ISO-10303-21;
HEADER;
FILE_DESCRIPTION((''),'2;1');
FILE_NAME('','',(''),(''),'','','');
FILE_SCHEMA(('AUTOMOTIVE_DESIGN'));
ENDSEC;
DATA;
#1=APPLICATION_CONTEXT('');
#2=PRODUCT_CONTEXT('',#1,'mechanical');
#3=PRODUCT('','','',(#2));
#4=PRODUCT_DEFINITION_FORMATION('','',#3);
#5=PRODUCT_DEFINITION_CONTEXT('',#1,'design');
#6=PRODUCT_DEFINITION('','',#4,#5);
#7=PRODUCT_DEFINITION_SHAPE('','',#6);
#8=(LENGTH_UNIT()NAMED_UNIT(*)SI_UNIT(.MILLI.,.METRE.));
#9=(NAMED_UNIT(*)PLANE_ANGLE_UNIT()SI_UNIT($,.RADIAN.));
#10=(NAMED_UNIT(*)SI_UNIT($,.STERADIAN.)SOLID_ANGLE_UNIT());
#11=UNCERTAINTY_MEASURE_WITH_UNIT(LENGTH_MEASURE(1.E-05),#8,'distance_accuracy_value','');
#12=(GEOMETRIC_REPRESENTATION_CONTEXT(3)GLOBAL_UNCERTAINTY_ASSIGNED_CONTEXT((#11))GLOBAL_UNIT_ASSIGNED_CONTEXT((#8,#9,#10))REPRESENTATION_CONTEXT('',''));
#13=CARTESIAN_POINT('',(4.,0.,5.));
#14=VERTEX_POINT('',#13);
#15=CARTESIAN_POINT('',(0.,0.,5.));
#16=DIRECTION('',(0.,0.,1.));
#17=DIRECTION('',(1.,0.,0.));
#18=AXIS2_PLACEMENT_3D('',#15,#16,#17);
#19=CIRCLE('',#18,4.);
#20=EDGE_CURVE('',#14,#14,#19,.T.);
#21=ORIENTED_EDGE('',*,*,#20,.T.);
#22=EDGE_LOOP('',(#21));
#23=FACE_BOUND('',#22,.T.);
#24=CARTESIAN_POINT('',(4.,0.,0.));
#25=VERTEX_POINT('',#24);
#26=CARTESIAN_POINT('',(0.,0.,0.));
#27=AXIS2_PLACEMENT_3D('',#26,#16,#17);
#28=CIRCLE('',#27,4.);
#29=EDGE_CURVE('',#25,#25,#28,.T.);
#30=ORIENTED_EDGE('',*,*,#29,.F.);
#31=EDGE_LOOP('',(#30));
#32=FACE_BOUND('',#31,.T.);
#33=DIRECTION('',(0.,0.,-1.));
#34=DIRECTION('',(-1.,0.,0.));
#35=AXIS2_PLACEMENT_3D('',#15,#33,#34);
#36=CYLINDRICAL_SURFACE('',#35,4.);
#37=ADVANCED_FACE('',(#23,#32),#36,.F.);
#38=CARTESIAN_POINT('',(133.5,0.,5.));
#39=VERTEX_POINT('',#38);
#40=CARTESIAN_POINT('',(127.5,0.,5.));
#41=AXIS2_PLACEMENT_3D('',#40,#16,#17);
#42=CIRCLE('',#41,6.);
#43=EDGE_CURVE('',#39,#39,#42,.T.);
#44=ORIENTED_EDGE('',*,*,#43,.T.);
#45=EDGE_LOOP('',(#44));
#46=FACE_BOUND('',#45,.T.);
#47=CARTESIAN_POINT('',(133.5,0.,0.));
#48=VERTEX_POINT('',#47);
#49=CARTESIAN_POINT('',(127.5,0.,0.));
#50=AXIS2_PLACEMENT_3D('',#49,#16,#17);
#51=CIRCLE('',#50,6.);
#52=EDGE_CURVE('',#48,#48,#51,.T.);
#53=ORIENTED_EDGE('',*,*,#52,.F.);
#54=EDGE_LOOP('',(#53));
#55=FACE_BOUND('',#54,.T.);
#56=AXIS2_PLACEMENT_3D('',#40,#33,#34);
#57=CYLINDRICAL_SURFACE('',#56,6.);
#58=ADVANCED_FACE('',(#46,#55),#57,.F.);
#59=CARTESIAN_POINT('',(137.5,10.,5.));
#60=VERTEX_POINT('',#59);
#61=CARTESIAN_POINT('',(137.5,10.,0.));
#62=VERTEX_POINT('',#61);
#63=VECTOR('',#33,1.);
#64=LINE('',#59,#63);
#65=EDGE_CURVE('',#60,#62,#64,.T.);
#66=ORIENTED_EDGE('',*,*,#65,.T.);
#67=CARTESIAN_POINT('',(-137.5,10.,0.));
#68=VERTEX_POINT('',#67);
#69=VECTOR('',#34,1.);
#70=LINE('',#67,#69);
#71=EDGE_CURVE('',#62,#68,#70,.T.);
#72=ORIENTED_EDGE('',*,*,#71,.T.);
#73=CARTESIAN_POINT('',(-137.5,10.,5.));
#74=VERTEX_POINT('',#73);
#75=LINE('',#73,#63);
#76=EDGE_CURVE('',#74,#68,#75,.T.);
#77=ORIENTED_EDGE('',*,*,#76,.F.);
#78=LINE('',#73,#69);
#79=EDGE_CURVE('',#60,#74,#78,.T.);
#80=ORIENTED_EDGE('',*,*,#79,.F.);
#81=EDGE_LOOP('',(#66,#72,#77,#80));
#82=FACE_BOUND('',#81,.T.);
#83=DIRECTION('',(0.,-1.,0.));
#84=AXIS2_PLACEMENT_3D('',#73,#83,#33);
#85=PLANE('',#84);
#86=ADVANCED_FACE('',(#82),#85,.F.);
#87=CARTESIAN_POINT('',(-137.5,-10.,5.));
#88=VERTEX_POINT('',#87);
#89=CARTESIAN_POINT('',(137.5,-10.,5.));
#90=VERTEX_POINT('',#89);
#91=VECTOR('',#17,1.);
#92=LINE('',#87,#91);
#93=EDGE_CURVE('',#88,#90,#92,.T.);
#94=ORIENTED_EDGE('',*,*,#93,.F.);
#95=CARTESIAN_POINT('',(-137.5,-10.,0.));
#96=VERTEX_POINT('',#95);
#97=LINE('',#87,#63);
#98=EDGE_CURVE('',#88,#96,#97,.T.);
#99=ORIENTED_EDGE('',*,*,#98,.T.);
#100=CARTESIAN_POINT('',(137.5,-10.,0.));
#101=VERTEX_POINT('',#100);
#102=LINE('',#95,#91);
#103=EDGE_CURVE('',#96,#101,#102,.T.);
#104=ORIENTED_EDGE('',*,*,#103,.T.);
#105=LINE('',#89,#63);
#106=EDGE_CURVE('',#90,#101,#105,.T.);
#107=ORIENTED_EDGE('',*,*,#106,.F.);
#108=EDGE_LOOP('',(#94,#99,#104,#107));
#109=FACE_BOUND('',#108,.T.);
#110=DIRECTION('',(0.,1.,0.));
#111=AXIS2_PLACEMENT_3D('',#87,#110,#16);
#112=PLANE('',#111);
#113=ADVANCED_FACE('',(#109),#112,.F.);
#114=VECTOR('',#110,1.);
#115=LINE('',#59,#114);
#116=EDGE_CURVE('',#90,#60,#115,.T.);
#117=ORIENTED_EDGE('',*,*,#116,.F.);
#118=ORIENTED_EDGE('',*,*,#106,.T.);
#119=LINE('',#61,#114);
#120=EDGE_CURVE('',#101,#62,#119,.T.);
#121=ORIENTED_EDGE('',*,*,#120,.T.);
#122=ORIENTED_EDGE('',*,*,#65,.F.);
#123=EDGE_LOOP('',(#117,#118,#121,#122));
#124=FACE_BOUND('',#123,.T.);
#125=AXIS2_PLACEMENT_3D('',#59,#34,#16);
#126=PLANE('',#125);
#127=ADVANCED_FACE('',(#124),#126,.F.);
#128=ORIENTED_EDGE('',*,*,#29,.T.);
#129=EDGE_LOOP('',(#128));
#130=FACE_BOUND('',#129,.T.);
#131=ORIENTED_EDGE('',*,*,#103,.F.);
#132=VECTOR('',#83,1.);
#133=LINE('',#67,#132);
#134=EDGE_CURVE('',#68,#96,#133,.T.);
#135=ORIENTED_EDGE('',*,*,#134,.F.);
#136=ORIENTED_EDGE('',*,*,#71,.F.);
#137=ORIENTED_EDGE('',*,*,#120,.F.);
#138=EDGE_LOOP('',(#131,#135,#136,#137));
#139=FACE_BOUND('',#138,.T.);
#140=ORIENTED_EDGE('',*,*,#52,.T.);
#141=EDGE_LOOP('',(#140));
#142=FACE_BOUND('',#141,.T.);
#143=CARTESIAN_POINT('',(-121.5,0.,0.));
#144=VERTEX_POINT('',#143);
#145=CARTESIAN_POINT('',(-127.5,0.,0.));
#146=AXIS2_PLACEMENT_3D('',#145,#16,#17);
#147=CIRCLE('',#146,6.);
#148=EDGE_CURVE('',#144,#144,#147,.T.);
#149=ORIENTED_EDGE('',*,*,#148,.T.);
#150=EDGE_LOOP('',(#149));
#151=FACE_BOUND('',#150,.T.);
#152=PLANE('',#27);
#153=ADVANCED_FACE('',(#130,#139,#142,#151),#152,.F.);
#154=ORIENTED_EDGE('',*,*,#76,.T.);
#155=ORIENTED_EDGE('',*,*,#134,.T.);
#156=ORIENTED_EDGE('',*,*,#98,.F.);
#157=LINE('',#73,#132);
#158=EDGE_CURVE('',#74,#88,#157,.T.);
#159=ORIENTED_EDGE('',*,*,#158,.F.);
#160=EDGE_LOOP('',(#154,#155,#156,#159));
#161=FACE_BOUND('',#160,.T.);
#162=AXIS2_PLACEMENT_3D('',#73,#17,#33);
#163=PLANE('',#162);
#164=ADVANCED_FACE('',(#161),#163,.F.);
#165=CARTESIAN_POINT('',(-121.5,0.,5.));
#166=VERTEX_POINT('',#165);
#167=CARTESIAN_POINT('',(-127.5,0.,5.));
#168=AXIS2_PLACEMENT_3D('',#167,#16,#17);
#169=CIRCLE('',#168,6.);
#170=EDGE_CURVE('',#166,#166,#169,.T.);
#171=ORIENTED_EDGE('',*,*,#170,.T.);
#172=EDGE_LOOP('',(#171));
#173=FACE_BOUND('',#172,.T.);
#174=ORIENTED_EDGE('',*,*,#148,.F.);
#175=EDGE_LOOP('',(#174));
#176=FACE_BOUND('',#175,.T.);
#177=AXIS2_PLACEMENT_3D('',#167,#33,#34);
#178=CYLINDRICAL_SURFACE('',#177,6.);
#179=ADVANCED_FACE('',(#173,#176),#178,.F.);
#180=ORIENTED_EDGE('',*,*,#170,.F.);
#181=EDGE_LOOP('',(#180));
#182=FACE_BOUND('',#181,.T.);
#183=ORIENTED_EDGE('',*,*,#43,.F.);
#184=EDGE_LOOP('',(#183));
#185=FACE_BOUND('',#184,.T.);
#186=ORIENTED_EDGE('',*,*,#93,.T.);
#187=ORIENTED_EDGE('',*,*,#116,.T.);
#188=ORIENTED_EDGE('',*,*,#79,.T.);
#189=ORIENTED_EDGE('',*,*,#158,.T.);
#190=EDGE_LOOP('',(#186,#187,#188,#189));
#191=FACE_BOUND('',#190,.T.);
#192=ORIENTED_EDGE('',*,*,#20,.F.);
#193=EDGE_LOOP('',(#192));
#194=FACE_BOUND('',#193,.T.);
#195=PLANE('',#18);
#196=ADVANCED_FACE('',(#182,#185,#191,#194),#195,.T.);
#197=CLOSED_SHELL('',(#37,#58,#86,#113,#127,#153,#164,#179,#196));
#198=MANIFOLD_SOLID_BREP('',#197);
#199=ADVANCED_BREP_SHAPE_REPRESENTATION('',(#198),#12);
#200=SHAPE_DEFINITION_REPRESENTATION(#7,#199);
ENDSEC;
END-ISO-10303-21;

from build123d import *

# Parameters (mm, degrees)
SKETCH_1_W      = 275
SKETCH_1_H      = 20
SKETCH_1_R      = 4
SKETCH_1_R_2    = 6
EXTRUDE_1_DEPTH = 5


with BuildPart() as part:
    # 草图1 → 凸台-拉伸1 (new body)
    with BuildSketch(Plane.XY):
        Rectangle(SKETCH_1_W, SKETCH_1_H)
        Circle(SKETCH_1_R, mode=Mode.SUBTRACT)
        with Locations((-127.5, 0)):
            Circle(SKETCH_1_R_2, mode=Mode.SUBTRACT)
        with Locations((127.5, 0)):
            Circle(SKETCH_1_R_2, mode=Mode.SUBTRACT)
    extrude(amount=EXTRUDE_1_DEPTH)


solid = part.part
